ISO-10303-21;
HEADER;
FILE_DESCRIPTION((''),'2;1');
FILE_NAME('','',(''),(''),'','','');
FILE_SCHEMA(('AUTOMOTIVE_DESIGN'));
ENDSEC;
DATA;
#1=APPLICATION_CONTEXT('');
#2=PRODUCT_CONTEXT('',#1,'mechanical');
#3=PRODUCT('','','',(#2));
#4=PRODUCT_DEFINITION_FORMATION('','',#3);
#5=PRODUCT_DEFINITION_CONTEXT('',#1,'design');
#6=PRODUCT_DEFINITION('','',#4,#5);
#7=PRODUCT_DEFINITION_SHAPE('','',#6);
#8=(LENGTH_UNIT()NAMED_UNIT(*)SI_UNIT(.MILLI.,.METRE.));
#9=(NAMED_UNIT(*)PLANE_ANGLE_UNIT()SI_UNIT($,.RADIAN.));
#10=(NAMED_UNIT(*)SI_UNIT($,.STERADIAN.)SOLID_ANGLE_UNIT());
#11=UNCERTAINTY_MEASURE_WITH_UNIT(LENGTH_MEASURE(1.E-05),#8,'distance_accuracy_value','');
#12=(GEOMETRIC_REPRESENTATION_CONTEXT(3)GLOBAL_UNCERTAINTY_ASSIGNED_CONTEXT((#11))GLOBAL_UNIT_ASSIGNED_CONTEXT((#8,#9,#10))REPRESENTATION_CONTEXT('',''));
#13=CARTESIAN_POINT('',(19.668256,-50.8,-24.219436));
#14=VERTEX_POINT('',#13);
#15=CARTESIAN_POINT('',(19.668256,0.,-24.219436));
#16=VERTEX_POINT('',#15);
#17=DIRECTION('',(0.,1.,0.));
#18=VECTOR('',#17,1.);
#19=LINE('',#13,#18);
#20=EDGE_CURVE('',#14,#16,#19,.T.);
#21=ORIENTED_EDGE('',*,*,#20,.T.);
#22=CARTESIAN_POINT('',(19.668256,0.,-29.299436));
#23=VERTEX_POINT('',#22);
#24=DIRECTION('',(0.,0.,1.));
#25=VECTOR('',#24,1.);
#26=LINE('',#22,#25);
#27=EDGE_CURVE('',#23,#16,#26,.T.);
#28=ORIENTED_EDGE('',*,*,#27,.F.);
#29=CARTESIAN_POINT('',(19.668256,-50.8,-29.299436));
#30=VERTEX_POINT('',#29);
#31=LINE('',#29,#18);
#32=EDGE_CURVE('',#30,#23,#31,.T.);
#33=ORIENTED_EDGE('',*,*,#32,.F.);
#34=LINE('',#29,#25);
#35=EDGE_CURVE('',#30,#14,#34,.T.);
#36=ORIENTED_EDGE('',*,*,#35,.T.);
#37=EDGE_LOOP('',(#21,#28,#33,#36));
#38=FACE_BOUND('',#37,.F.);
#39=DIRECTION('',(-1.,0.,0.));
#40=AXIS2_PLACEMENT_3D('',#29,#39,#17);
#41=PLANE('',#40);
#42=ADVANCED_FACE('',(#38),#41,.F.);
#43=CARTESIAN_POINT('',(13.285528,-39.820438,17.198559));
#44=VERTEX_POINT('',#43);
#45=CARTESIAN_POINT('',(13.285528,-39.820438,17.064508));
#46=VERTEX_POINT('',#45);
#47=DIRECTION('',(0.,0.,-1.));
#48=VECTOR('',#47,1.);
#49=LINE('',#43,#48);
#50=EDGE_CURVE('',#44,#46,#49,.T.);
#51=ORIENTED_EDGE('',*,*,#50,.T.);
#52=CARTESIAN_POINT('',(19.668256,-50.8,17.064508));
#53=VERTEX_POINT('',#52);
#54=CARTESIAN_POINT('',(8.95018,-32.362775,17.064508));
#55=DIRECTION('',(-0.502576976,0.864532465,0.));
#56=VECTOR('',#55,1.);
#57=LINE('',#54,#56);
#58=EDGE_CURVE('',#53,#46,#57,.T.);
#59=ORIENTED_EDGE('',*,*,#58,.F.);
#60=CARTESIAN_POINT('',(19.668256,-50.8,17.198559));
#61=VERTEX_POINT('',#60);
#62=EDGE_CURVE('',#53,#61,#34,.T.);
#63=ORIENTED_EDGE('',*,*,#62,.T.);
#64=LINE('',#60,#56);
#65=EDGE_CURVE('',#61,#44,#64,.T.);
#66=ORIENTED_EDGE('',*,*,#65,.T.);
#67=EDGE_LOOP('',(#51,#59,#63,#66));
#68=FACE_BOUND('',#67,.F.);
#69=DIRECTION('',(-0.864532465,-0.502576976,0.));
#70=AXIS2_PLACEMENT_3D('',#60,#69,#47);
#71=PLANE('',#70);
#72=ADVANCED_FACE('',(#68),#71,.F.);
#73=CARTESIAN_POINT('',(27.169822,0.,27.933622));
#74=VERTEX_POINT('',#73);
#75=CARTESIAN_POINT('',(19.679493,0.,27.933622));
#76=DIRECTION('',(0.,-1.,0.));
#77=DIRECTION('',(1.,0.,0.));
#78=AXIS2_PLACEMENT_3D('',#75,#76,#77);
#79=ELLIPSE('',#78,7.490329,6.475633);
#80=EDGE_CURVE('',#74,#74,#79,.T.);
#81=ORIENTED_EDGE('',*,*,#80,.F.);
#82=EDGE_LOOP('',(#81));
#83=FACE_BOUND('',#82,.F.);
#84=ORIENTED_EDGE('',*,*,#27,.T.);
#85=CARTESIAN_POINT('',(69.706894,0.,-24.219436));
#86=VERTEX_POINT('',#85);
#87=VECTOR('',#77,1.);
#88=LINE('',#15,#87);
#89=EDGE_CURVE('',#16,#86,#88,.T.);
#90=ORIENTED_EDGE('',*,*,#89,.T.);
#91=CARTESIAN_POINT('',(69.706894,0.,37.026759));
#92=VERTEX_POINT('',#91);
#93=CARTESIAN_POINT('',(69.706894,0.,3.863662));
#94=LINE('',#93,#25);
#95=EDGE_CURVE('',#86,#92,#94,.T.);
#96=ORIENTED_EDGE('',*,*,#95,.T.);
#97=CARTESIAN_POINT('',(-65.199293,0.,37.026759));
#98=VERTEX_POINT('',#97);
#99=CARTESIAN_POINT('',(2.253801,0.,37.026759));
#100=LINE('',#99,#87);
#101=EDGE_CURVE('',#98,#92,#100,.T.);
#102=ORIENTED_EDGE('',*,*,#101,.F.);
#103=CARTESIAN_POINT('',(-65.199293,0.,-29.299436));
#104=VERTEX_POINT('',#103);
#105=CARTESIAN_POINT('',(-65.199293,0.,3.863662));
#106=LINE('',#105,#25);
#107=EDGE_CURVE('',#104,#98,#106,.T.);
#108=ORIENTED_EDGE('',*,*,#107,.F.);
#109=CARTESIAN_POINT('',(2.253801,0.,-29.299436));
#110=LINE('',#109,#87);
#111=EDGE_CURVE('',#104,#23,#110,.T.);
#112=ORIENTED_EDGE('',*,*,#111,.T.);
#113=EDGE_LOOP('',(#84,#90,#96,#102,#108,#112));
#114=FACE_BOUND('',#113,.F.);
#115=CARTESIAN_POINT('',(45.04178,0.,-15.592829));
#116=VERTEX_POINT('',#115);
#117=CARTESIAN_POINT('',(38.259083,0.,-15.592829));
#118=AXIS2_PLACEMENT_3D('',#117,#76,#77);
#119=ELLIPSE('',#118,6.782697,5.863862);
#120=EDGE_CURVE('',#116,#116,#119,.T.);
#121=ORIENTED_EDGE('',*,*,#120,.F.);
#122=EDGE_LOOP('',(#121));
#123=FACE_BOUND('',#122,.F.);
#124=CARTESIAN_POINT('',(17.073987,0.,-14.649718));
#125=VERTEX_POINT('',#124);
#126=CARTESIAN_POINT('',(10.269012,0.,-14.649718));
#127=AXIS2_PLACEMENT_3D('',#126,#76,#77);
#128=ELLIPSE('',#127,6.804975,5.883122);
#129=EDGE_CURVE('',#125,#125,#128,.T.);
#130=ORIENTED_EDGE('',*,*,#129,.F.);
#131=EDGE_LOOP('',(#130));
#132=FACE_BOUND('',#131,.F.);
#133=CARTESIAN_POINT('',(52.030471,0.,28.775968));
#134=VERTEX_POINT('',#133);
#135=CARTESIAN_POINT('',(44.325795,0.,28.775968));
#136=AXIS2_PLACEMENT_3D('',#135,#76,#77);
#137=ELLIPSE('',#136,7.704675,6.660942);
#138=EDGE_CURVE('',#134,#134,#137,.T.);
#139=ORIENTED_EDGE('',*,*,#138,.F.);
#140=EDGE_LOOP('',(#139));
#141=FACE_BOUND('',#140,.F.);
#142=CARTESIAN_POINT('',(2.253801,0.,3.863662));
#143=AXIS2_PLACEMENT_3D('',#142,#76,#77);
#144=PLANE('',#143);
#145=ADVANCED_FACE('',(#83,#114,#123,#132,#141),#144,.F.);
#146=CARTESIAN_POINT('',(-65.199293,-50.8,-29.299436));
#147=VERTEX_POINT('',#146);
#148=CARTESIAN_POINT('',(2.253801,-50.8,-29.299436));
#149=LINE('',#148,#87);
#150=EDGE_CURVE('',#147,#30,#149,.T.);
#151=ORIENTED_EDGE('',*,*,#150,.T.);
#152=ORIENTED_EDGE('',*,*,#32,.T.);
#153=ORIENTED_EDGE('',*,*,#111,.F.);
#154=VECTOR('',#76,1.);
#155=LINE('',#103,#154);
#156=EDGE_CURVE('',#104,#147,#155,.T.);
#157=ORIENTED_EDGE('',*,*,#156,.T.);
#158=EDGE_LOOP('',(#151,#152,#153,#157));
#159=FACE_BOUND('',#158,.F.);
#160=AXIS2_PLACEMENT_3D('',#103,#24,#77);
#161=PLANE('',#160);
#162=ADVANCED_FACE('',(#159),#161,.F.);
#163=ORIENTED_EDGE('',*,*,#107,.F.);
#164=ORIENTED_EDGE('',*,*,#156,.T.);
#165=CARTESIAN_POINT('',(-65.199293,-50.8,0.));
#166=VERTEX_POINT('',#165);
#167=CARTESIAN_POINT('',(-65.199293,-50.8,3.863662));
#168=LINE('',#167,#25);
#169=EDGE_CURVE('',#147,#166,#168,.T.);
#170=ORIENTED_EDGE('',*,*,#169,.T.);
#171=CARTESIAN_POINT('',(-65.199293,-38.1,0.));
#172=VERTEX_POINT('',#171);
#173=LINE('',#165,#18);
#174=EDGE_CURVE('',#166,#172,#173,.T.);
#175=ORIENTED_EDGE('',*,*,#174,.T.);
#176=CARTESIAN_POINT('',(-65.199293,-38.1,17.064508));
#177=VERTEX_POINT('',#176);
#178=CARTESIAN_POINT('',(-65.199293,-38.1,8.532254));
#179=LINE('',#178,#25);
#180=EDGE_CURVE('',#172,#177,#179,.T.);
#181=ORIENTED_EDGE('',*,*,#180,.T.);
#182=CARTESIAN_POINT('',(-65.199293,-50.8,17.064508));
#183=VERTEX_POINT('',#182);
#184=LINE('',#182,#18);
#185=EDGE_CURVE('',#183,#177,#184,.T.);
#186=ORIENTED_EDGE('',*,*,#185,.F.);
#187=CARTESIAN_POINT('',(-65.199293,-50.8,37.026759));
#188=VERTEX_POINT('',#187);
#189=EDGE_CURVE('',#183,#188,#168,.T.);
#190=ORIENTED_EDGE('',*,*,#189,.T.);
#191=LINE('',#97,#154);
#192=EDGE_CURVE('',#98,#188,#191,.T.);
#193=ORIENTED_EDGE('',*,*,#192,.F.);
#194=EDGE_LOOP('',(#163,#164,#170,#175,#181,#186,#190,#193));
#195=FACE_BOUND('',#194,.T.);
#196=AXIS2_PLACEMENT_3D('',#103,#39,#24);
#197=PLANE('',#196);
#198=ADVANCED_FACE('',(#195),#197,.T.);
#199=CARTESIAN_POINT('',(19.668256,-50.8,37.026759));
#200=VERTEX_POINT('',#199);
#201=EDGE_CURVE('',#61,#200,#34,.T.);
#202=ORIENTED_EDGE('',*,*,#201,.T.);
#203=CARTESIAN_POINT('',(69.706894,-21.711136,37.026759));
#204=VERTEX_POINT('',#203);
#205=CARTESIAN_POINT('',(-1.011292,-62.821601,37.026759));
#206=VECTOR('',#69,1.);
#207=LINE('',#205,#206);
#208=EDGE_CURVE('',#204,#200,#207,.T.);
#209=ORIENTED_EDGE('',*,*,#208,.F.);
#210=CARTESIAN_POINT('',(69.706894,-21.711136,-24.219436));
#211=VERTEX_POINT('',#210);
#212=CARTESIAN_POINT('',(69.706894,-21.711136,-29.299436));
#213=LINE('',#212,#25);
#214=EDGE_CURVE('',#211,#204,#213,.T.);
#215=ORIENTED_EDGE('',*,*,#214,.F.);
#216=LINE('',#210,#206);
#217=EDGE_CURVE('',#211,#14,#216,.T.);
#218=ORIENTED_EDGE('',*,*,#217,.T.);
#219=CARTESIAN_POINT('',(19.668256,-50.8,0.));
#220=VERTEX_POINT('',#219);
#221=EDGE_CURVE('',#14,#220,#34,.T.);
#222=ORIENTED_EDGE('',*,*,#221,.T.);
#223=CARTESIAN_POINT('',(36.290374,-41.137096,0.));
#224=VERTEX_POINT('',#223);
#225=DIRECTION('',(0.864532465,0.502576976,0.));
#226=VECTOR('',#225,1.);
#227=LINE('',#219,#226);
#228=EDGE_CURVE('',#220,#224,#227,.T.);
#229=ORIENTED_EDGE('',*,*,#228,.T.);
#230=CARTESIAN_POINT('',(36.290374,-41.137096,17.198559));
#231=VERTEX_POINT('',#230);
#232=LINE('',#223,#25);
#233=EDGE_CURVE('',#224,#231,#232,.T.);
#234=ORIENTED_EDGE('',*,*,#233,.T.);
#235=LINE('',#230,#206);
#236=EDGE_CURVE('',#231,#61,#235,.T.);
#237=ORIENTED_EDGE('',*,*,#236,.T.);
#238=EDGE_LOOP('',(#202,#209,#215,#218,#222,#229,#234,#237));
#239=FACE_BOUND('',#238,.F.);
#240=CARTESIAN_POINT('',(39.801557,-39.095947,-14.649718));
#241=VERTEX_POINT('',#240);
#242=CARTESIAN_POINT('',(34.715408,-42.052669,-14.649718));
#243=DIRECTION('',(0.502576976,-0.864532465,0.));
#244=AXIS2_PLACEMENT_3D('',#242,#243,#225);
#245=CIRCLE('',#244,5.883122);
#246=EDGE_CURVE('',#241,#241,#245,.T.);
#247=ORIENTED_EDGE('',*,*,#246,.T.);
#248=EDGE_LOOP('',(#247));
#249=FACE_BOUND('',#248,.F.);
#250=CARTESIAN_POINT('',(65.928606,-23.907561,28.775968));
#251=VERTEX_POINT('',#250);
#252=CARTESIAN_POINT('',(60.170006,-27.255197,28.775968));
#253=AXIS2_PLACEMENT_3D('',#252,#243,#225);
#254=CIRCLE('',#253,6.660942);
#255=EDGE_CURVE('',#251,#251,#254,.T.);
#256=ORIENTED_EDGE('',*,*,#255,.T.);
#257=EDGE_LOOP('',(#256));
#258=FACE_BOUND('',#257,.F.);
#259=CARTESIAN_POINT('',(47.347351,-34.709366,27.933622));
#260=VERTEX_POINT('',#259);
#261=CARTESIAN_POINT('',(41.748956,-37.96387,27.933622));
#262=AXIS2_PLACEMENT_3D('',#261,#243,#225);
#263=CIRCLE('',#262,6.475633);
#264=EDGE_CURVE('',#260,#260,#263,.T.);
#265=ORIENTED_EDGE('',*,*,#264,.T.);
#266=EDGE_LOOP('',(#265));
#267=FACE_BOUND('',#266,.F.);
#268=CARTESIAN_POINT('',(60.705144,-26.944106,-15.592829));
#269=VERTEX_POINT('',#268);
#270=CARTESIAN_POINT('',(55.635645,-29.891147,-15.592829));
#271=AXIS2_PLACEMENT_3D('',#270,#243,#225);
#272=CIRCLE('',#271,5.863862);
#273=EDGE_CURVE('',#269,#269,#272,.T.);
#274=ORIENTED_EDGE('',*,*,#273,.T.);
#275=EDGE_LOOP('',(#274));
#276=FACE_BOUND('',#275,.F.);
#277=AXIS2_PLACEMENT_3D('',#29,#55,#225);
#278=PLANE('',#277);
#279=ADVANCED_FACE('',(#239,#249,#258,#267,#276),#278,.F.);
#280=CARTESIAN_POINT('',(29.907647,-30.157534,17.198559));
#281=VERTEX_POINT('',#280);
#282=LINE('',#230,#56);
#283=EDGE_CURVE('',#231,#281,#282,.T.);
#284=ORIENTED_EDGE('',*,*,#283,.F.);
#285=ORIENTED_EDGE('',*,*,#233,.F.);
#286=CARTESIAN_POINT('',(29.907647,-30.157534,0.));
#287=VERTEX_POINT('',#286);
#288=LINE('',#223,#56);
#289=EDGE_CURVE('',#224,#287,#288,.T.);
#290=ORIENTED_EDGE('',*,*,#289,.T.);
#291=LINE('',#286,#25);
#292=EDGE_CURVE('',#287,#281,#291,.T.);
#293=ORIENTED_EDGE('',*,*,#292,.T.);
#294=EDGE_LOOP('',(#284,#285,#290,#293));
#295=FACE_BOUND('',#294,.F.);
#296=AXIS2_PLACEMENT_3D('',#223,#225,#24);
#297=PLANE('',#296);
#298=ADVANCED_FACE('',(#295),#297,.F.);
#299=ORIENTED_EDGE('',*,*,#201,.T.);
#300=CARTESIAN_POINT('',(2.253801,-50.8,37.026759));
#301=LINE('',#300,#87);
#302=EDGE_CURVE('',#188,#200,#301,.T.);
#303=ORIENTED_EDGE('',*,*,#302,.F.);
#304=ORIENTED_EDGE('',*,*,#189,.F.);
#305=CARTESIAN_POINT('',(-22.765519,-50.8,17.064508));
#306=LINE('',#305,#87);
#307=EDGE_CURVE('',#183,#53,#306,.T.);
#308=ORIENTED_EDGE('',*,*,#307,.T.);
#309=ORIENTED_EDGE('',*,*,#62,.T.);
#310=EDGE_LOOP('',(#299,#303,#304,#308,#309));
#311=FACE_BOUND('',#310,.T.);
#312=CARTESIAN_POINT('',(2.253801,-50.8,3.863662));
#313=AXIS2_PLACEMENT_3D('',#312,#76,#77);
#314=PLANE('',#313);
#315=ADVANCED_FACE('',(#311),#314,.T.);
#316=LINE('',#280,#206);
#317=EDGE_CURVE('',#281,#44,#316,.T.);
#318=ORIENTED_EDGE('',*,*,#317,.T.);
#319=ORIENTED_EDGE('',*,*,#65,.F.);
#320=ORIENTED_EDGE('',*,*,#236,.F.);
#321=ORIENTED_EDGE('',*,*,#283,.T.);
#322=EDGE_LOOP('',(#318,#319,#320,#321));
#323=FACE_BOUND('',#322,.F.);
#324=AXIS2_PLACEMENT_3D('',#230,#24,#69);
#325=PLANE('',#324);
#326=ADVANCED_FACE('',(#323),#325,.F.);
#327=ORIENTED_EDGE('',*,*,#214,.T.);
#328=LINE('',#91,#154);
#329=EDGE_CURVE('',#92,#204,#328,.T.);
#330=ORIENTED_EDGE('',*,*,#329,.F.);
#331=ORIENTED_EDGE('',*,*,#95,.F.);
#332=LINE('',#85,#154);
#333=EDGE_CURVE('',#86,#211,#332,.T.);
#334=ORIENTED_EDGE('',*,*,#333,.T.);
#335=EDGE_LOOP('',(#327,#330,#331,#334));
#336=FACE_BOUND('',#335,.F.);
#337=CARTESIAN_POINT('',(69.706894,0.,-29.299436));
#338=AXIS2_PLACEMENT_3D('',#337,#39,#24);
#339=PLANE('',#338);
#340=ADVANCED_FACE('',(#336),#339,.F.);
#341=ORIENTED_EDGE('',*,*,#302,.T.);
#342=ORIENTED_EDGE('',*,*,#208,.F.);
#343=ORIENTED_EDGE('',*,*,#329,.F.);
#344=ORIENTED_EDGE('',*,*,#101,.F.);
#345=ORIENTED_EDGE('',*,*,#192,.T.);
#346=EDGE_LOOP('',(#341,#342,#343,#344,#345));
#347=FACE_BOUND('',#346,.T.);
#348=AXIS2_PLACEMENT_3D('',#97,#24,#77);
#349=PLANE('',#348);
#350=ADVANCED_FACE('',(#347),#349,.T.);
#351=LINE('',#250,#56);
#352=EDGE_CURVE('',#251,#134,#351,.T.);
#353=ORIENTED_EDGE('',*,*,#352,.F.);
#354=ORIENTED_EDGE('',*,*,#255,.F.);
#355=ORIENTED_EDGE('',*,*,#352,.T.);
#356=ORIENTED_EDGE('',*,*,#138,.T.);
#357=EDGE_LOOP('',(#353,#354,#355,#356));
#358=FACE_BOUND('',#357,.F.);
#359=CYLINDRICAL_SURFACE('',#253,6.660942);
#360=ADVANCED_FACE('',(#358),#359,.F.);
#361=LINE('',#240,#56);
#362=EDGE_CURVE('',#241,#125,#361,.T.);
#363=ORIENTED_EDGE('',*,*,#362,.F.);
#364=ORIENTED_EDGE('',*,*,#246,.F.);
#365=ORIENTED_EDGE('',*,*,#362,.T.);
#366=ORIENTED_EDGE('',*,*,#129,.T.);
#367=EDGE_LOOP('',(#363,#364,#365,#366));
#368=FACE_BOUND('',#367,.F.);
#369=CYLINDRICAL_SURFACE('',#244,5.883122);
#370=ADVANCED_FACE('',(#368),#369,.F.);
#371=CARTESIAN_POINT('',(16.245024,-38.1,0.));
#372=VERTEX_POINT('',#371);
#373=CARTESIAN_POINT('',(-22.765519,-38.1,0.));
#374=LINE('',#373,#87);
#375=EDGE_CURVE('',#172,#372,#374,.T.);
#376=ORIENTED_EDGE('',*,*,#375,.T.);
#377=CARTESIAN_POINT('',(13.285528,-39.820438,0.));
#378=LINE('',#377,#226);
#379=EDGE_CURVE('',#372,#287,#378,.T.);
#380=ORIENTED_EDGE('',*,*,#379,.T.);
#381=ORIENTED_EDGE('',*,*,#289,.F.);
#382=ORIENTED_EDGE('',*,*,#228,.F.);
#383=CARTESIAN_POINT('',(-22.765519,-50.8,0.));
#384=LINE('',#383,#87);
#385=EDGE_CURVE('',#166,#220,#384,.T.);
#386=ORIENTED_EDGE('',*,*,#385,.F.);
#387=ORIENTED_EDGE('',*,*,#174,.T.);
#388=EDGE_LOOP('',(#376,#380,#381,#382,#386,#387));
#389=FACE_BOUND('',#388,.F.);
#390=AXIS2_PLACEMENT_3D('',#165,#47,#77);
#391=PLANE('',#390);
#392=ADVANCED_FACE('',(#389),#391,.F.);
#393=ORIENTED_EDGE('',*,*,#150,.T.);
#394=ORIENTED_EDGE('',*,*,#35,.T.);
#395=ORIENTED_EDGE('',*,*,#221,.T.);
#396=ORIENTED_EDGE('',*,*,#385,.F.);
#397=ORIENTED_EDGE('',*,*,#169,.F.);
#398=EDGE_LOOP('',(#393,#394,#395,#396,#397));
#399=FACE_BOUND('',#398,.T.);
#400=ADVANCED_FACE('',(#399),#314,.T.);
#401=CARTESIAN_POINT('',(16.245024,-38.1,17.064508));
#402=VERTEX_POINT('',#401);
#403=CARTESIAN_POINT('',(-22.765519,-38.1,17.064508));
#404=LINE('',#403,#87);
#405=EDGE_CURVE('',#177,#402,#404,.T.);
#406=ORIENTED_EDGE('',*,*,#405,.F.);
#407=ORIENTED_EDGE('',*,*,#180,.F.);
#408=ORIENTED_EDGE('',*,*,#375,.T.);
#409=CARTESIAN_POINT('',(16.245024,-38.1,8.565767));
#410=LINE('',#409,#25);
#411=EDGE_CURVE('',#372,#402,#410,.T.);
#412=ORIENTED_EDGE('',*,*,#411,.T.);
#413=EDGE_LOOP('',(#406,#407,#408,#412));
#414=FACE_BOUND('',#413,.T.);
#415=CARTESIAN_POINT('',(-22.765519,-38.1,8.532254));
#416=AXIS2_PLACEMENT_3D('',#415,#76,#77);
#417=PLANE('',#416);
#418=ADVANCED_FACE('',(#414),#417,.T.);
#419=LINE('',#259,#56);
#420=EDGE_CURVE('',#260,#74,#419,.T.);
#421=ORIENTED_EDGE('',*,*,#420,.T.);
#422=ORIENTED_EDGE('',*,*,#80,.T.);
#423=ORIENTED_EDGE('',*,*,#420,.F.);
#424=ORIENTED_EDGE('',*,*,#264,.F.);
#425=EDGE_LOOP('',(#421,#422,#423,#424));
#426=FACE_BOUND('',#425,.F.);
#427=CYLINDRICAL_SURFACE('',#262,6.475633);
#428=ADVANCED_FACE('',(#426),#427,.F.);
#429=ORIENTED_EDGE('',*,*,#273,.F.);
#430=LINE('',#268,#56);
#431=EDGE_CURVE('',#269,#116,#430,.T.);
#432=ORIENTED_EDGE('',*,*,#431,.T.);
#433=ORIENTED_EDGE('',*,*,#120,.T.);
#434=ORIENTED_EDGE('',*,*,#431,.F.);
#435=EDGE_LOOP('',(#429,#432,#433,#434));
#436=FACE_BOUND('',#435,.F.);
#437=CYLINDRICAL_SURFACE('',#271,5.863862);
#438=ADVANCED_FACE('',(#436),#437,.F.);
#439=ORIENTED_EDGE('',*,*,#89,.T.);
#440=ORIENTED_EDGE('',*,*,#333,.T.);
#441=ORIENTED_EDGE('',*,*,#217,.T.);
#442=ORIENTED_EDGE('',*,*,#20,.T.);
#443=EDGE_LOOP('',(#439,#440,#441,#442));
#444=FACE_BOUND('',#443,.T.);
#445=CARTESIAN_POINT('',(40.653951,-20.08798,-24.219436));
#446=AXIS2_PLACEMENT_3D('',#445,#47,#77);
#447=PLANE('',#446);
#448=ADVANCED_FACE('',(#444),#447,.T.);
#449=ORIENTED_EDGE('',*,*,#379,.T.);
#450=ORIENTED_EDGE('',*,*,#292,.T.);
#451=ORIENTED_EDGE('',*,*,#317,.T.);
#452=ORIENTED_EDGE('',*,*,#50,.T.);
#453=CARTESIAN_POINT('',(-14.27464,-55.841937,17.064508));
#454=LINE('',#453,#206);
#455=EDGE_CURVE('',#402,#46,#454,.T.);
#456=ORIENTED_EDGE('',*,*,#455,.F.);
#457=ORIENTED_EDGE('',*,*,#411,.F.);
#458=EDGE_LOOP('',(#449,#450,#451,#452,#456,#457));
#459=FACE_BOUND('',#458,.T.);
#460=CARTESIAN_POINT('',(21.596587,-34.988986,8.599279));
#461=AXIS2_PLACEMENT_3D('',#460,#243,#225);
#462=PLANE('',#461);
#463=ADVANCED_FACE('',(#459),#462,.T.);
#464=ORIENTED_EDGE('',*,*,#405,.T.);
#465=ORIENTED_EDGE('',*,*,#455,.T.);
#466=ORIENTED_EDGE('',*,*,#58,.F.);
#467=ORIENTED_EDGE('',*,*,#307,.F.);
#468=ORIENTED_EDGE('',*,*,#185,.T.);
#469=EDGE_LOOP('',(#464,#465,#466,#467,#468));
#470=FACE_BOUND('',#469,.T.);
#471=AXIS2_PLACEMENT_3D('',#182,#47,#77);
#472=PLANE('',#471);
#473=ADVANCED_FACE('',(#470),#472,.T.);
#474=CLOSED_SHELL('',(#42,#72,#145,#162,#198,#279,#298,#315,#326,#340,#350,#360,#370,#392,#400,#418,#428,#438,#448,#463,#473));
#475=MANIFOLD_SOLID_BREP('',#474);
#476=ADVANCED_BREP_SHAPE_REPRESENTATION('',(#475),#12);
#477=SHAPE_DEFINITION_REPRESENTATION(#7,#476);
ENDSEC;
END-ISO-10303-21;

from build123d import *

# Parameters (mm, degrees)
F0_W      = 134.9061876535
F0_H      = 66.3261953741
F1_DEPTH  = 50.8
F3_DEPTH  = 66.3271953741
F4_W      = 84.8675490558
F4_H      = 17.0645080507
F5_DEPTH  = 12.7
F7_DEPTH  = 12.7
F8_R      = 5.8831218442
F9_DEPTH  = 86.5717253991
F10_R     = 5.86386151
F10_R_2   = 6.47563258
F10_R_3   = 6.6609419445
F11_DEPTH = 86.5717253991
F13_DEPTH = 5.08


with BuildPart() as f1:
    # F0 (on Front) → F1 (new body)
    with BuildSketch(Plane.XZ):
        with Locations((2.2538006306, 3.86366155)):
            Rectangle(F0_W, F0_H)
    extrude(amount=F1_DEPTH)

    # F2 (on face) → F3 (cut, through all)
    with BuildSketch(Plane(origin=(0, 0, -29.2994361371), x_dir=(1, 0, 0), z_dir=(0, 0, -1))):
        Polygon((69.7068944573, 50.8), (19.6682558596, 50.8), (69.7068944573, 21.7111355625), align=None)
    extrude(amount=-F3_DEPTH, mode=Mode.SUBTRACT)

    # F4 (on face) → F5 (cut)
    with BuildSketch(Plane.XZ.offset(50.8)):
        with Locations((-22.7655186683, 8.5322540253)):
            Rectangle(F4_W, F4_H)
    extrude(amount=-F5_DEPTH, mode=Mode.SUBTRACT)

    # F6 (on face) → F7 (cut)
    with BuildSketch(Plane(origin=(27.0401800955, -46.5144936243, 0), x_dir=(0.864532465, 0.5025769761, 0), z_dir=(0.5025769761, -0.864532465, 0))):
        Polygon((-8.527064667, 17.0645080507), (-8.527064667, 0), (10.6996493414, 0), (10.6996493414, 17.1985588968), (-8.527064667, 17.1985588968), align=None)
    extrude(amount=-F7_DEPTH, mode=Mode.SUBTRACT)

    # F8 (on face) → F9 (cut, through all)
    with BuildSketch(Plane(origin=(27.0401800955, -46.5144936243, 0), x_dir=(0.864532465, 0.5025769761, 0), z_dir=(0.5025769761, -0.864532465, 0))):
        with Locations((8.8778939098, -14.6497180685)):
            Circle(F8_R)
    extrude(amount=-F9_DEPTH, mode=Mode.SUBTRACT)

    # F10 (on face) → F11 (cut, through all)
    with BuildSketch(Plane(origin=(27.0401800955, -46.5144936243, 0), x_dir=(0.864532465, 0.5025769761, 0), z_dir=(0.5025769761, -0.864532465, 0))):
        with Locations((33.0762192607, -15.5928293243)):
            Circle(F10_R)
        with Locations((17.0135609806, 27.9336217791)):
            Circle(F10_R_2)
        with Locations((38.3210889995, 28.7759676576)):
            Circle(F10_R_3)
    extrude(amount=-F11_DEPTH, mode=Mode.SUBTRACT)

    # F12 (on face) → F13 (cut)
    with BuildSketch(Plane(origin=(0, 0, -29.2994361371), x_dir=(1, 0, 0), z_dir=(0, 0, -1))):
        Polygon((69.7068944573, 21.7111355625), (19.6682558596, 50.8), (19.6682558596, 0), (69.7068944573, 0), align=None)
    extrude(amount=-F13_DEPTH, mode=Mode.SUBTRACT)


solid = f1.part
